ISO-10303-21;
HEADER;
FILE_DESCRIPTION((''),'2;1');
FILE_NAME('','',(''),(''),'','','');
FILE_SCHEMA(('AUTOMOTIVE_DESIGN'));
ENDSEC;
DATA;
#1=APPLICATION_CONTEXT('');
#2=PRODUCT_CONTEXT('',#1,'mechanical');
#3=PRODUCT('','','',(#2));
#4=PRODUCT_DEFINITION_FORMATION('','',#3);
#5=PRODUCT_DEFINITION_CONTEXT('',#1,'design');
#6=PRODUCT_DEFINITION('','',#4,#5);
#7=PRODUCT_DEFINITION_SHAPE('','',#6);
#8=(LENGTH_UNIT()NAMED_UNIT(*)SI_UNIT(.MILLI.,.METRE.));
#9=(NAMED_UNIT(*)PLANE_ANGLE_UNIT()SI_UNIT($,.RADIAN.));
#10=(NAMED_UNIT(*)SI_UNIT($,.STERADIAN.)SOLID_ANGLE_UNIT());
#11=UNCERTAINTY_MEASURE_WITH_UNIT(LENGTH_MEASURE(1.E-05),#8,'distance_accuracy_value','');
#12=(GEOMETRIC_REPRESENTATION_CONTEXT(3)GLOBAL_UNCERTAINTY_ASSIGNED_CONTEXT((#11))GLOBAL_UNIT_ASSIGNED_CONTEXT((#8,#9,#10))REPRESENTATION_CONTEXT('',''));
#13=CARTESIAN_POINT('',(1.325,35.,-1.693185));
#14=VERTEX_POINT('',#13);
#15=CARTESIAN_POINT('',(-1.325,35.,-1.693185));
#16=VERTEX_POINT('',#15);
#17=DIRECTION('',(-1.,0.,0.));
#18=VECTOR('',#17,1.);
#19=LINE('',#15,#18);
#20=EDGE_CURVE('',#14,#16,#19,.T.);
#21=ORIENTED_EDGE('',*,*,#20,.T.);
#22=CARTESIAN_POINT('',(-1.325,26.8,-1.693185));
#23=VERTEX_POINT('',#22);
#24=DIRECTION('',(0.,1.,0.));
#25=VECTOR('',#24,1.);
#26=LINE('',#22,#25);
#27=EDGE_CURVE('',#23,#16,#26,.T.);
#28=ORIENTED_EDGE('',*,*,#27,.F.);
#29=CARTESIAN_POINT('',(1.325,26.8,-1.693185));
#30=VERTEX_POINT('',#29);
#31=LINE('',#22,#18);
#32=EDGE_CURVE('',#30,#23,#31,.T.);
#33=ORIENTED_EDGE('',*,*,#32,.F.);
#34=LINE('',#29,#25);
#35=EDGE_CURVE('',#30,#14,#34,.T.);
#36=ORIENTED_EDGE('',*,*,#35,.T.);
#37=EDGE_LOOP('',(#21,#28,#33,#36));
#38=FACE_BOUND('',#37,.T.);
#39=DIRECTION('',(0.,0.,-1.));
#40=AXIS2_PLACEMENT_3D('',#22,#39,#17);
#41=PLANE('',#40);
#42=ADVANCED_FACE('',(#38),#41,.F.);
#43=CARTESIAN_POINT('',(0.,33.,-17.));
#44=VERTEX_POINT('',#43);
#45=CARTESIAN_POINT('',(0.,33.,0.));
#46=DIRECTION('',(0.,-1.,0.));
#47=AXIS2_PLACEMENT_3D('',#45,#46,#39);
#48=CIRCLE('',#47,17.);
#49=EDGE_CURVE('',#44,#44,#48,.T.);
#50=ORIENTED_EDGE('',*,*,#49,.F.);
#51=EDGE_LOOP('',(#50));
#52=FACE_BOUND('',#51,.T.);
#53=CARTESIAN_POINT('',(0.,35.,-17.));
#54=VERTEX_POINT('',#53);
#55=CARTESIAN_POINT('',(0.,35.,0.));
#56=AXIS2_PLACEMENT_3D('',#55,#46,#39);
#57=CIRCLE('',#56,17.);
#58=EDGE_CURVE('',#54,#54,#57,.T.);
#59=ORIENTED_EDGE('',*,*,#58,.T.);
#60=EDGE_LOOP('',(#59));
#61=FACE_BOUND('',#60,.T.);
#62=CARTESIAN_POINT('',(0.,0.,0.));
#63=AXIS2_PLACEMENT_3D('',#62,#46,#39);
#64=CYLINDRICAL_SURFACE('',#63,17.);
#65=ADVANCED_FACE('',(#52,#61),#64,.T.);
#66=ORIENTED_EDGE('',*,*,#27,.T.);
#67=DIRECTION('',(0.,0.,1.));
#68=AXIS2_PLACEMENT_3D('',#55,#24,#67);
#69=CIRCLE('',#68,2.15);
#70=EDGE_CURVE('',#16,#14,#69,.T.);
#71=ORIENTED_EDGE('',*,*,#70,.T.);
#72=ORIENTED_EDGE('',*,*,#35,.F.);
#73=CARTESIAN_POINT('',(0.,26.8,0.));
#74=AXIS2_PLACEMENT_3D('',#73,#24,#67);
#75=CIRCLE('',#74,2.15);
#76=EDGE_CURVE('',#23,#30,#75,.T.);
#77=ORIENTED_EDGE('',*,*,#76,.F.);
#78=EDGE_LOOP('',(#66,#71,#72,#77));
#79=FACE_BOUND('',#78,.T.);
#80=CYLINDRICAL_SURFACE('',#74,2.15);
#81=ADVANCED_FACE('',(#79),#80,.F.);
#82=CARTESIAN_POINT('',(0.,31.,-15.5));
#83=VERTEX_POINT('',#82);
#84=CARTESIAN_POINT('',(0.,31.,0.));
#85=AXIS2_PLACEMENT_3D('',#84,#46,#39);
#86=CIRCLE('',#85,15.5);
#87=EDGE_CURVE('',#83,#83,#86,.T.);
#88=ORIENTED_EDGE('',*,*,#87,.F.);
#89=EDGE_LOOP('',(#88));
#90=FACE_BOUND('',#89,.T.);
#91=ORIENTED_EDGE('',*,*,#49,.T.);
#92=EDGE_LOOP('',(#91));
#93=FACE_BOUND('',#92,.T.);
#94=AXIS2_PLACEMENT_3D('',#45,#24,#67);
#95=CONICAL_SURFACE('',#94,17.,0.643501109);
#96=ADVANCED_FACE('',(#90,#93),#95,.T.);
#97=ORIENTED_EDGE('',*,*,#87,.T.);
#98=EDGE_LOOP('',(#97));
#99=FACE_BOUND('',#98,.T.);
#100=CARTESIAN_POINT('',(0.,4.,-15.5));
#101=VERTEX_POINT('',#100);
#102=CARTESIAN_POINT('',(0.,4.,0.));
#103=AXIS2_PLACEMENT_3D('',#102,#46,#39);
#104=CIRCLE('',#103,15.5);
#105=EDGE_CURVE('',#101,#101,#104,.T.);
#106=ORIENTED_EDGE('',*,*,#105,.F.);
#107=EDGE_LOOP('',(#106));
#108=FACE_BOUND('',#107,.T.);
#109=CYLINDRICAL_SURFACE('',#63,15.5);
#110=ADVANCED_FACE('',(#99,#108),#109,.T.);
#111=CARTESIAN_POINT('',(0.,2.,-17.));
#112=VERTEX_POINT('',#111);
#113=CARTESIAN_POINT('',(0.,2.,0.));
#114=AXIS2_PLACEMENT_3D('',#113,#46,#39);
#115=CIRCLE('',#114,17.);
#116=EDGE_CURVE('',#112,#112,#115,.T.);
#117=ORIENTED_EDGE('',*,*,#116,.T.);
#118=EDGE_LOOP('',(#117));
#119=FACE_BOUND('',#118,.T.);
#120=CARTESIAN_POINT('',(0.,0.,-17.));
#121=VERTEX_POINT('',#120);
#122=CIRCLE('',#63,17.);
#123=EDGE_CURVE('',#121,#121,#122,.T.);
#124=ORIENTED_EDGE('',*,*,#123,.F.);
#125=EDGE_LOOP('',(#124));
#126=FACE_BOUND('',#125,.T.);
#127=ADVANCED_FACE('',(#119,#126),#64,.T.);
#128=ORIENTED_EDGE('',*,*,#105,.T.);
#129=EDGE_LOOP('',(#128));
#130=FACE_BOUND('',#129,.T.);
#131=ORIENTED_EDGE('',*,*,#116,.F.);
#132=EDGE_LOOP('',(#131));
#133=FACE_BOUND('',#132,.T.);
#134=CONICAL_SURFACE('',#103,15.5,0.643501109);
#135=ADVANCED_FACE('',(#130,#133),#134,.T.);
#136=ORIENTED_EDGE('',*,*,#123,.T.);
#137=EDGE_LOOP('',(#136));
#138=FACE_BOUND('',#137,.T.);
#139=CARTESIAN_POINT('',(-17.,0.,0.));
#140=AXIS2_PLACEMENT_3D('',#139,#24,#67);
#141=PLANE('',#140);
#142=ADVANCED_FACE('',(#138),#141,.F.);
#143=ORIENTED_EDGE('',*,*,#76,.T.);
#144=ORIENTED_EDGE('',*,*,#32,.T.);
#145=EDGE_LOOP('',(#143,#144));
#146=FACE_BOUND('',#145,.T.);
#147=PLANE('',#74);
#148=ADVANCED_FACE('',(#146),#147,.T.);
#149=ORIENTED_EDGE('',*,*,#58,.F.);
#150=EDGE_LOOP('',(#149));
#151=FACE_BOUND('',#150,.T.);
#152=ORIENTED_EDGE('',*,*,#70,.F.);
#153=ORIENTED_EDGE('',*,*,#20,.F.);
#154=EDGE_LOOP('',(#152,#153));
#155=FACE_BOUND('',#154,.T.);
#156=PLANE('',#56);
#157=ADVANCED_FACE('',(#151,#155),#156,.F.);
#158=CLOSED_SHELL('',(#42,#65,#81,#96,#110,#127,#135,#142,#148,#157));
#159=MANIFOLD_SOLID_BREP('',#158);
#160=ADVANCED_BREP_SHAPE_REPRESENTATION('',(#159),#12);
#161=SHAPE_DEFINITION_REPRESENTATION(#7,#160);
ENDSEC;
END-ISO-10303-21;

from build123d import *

# Parameters (mm, degrees)
CUT_EXTRUDE1_DEPTH = 8.2


with BuildPart() as part:
    # Sketch1 → Revolve1 (revolve)
    with BuildSketch(Plane.XY, mode=Mode.PRIVATE) as revolve1_sk:
        Polygon((0, 0), (0, 35), (-17, 35), (-17, 33), (-15.5, 31), (-15.5, 4), (-17, 2), (-17, 0), align=None)
    revolve(revolve1_sk.sketch.rotate(Axis((0, 0, 0), (0, 1, 0)), 270), axis=Axis((0, 0, 0), (0, 1, 0)))

    # Sketch2 → Cut-Extrude1 (cut)
    with BuildSketch(Plane(origin=(0, 35, 0), x_dir=(1, 0, 0), z_dir=(0, 1, 0))):
        with BuildLine():
            Line((-1.325, 1.693184869), (1.325, 1.693184869))
            ThreePointArc((1.325, 1.693184869), (0, -2.15), (-1.325, 1.693184869))
        make_face()
    extrude(amount=-CUT_EXTRUDE1_DEPTH, mode=Mode.SUBTRACT)


solid = part.part
